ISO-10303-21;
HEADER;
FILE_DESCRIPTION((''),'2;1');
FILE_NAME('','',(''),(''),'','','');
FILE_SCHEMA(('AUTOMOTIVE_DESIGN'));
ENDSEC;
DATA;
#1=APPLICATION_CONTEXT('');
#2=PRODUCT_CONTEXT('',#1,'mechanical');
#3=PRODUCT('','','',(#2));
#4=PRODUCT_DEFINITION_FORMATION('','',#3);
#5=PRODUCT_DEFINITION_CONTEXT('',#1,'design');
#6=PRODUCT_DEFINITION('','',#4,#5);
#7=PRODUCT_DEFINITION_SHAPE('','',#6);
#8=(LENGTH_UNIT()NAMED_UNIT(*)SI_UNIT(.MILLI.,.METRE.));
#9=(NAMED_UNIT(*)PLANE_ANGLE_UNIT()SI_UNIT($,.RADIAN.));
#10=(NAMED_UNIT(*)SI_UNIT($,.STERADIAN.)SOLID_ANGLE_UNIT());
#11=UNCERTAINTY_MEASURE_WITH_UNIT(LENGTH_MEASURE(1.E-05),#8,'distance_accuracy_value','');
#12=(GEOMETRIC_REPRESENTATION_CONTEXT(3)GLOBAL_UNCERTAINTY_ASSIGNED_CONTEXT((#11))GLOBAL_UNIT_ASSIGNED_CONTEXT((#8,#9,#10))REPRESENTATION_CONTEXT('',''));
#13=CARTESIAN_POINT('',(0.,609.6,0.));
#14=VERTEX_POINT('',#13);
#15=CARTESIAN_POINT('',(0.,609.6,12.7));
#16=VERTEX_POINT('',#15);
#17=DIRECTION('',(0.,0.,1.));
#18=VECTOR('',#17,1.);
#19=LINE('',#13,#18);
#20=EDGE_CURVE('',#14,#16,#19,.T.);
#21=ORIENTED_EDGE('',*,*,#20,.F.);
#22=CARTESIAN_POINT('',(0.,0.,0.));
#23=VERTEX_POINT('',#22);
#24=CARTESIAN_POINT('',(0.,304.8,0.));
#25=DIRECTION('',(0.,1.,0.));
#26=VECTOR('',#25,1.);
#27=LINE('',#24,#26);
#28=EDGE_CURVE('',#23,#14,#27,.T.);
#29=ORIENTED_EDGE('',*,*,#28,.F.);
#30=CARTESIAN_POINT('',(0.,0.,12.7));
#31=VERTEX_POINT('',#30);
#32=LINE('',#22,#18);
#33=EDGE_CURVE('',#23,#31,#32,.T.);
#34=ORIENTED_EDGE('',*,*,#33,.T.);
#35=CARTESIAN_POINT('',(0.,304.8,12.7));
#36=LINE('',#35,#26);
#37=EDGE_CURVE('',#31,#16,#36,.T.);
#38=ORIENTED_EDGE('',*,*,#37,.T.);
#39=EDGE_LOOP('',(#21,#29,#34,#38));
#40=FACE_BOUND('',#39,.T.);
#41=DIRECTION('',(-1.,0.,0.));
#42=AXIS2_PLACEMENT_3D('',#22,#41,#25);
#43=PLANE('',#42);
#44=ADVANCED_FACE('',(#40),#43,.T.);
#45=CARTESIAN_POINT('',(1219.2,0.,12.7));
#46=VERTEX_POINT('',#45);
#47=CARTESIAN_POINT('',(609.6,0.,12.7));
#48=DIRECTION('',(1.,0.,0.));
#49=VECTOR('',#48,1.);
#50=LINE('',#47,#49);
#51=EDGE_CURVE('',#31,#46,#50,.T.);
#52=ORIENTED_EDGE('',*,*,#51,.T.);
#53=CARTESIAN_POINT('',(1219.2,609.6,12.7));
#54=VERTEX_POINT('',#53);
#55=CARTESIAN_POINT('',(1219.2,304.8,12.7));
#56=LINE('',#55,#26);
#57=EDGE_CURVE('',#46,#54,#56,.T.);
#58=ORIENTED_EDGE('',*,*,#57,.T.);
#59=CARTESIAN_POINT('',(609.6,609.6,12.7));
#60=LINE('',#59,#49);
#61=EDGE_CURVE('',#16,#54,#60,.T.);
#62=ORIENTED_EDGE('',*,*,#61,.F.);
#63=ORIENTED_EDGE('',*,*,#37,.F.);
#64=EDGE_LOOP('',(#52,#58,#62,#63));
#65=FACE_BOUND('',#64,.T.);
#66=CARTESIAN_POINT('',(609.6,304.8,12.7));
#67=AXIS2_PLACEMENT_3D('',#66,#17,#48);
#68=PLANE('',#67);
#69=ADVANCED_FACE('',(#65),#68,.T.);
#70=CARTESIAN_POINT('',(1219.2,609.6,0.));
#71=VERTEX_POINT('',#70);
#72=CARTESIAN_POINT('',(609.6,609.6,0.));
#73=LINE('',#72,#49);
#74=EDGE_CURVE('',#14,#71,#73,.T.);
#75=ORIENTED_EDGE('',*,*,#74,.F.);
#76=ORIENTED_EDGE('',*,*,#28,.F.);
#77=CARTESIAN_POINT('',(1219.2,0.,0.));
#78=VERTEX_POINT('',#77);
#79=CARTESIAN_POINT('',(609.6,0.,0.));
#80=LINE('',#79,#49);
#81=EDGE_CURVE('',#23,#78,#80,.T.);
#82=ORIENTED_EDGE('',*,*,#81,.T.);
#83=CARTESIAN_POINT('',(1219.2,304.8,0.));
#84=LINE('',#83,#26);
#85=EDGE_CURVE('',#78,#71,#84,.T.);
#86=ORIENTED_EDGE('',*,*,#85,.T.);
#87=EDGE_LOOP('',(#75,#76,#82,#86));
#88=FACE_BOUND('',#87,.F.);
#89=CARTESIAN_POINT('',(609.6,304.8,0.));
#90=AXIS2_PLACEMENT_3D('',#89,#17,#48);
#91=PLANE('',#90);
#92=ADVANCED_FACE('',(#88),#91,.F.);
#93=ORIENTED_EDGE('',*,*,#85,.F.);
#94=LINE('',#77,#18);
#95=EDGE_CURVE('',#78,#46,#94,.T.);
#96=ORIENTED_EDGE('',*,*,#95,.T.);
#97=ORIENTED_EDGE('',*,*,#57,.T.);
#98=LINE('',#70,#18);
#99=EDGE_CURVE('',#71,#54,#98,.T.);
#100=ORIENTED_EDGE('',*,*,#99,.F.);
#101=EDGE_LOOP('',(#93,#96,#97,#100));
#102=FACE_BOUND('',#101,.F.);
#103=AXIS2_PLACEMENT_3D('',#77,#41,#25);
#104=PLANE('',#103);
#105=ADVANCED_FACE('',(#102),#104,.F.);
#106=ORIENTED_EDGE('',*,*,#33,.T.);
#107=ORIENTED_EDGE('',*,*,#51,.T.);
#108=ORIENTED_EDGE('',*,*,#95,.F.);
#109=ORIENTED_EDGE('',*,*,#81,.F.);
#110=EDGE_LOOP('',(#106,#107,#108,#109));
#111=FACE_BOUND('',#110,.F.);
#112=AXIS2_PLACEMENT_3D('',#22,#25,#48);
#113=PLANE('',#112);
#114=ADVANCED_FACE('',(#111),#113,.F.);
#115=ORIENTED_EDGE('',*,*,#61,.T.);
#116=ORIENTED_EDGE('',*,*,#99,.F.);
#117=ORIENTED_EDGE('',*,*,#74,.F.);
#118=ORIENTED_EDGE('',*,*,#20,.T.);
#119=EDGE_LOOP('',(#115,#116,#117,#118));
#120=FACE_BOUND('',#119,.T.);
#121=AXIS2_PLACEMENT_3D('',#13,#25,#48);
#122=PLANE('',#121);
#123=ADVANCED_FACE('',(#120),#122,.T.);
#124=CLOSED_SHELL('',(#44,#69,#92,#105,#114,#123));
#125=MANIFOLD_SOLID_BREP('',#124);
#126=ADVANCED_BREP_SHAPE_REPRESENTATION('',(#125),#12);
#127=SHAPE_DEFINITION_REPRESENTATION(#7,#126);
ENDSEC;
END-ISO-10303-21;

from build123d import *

# Parameters (mm, degrees)
SKETCH_W  = 1219.2
SKETCH_H  = 609.6
PAD_DEPTH = 12.7


with BuildPart() as part:
    # Sketch → Pad (new body)
    with BuildSketch(Plane.XY):
        with Locations((609.6, 304.8)):
            Rectangle(SKETCH_W, SKETCH_H)
    extrude(amount=PAD_DEPTH)


solid = part.part
